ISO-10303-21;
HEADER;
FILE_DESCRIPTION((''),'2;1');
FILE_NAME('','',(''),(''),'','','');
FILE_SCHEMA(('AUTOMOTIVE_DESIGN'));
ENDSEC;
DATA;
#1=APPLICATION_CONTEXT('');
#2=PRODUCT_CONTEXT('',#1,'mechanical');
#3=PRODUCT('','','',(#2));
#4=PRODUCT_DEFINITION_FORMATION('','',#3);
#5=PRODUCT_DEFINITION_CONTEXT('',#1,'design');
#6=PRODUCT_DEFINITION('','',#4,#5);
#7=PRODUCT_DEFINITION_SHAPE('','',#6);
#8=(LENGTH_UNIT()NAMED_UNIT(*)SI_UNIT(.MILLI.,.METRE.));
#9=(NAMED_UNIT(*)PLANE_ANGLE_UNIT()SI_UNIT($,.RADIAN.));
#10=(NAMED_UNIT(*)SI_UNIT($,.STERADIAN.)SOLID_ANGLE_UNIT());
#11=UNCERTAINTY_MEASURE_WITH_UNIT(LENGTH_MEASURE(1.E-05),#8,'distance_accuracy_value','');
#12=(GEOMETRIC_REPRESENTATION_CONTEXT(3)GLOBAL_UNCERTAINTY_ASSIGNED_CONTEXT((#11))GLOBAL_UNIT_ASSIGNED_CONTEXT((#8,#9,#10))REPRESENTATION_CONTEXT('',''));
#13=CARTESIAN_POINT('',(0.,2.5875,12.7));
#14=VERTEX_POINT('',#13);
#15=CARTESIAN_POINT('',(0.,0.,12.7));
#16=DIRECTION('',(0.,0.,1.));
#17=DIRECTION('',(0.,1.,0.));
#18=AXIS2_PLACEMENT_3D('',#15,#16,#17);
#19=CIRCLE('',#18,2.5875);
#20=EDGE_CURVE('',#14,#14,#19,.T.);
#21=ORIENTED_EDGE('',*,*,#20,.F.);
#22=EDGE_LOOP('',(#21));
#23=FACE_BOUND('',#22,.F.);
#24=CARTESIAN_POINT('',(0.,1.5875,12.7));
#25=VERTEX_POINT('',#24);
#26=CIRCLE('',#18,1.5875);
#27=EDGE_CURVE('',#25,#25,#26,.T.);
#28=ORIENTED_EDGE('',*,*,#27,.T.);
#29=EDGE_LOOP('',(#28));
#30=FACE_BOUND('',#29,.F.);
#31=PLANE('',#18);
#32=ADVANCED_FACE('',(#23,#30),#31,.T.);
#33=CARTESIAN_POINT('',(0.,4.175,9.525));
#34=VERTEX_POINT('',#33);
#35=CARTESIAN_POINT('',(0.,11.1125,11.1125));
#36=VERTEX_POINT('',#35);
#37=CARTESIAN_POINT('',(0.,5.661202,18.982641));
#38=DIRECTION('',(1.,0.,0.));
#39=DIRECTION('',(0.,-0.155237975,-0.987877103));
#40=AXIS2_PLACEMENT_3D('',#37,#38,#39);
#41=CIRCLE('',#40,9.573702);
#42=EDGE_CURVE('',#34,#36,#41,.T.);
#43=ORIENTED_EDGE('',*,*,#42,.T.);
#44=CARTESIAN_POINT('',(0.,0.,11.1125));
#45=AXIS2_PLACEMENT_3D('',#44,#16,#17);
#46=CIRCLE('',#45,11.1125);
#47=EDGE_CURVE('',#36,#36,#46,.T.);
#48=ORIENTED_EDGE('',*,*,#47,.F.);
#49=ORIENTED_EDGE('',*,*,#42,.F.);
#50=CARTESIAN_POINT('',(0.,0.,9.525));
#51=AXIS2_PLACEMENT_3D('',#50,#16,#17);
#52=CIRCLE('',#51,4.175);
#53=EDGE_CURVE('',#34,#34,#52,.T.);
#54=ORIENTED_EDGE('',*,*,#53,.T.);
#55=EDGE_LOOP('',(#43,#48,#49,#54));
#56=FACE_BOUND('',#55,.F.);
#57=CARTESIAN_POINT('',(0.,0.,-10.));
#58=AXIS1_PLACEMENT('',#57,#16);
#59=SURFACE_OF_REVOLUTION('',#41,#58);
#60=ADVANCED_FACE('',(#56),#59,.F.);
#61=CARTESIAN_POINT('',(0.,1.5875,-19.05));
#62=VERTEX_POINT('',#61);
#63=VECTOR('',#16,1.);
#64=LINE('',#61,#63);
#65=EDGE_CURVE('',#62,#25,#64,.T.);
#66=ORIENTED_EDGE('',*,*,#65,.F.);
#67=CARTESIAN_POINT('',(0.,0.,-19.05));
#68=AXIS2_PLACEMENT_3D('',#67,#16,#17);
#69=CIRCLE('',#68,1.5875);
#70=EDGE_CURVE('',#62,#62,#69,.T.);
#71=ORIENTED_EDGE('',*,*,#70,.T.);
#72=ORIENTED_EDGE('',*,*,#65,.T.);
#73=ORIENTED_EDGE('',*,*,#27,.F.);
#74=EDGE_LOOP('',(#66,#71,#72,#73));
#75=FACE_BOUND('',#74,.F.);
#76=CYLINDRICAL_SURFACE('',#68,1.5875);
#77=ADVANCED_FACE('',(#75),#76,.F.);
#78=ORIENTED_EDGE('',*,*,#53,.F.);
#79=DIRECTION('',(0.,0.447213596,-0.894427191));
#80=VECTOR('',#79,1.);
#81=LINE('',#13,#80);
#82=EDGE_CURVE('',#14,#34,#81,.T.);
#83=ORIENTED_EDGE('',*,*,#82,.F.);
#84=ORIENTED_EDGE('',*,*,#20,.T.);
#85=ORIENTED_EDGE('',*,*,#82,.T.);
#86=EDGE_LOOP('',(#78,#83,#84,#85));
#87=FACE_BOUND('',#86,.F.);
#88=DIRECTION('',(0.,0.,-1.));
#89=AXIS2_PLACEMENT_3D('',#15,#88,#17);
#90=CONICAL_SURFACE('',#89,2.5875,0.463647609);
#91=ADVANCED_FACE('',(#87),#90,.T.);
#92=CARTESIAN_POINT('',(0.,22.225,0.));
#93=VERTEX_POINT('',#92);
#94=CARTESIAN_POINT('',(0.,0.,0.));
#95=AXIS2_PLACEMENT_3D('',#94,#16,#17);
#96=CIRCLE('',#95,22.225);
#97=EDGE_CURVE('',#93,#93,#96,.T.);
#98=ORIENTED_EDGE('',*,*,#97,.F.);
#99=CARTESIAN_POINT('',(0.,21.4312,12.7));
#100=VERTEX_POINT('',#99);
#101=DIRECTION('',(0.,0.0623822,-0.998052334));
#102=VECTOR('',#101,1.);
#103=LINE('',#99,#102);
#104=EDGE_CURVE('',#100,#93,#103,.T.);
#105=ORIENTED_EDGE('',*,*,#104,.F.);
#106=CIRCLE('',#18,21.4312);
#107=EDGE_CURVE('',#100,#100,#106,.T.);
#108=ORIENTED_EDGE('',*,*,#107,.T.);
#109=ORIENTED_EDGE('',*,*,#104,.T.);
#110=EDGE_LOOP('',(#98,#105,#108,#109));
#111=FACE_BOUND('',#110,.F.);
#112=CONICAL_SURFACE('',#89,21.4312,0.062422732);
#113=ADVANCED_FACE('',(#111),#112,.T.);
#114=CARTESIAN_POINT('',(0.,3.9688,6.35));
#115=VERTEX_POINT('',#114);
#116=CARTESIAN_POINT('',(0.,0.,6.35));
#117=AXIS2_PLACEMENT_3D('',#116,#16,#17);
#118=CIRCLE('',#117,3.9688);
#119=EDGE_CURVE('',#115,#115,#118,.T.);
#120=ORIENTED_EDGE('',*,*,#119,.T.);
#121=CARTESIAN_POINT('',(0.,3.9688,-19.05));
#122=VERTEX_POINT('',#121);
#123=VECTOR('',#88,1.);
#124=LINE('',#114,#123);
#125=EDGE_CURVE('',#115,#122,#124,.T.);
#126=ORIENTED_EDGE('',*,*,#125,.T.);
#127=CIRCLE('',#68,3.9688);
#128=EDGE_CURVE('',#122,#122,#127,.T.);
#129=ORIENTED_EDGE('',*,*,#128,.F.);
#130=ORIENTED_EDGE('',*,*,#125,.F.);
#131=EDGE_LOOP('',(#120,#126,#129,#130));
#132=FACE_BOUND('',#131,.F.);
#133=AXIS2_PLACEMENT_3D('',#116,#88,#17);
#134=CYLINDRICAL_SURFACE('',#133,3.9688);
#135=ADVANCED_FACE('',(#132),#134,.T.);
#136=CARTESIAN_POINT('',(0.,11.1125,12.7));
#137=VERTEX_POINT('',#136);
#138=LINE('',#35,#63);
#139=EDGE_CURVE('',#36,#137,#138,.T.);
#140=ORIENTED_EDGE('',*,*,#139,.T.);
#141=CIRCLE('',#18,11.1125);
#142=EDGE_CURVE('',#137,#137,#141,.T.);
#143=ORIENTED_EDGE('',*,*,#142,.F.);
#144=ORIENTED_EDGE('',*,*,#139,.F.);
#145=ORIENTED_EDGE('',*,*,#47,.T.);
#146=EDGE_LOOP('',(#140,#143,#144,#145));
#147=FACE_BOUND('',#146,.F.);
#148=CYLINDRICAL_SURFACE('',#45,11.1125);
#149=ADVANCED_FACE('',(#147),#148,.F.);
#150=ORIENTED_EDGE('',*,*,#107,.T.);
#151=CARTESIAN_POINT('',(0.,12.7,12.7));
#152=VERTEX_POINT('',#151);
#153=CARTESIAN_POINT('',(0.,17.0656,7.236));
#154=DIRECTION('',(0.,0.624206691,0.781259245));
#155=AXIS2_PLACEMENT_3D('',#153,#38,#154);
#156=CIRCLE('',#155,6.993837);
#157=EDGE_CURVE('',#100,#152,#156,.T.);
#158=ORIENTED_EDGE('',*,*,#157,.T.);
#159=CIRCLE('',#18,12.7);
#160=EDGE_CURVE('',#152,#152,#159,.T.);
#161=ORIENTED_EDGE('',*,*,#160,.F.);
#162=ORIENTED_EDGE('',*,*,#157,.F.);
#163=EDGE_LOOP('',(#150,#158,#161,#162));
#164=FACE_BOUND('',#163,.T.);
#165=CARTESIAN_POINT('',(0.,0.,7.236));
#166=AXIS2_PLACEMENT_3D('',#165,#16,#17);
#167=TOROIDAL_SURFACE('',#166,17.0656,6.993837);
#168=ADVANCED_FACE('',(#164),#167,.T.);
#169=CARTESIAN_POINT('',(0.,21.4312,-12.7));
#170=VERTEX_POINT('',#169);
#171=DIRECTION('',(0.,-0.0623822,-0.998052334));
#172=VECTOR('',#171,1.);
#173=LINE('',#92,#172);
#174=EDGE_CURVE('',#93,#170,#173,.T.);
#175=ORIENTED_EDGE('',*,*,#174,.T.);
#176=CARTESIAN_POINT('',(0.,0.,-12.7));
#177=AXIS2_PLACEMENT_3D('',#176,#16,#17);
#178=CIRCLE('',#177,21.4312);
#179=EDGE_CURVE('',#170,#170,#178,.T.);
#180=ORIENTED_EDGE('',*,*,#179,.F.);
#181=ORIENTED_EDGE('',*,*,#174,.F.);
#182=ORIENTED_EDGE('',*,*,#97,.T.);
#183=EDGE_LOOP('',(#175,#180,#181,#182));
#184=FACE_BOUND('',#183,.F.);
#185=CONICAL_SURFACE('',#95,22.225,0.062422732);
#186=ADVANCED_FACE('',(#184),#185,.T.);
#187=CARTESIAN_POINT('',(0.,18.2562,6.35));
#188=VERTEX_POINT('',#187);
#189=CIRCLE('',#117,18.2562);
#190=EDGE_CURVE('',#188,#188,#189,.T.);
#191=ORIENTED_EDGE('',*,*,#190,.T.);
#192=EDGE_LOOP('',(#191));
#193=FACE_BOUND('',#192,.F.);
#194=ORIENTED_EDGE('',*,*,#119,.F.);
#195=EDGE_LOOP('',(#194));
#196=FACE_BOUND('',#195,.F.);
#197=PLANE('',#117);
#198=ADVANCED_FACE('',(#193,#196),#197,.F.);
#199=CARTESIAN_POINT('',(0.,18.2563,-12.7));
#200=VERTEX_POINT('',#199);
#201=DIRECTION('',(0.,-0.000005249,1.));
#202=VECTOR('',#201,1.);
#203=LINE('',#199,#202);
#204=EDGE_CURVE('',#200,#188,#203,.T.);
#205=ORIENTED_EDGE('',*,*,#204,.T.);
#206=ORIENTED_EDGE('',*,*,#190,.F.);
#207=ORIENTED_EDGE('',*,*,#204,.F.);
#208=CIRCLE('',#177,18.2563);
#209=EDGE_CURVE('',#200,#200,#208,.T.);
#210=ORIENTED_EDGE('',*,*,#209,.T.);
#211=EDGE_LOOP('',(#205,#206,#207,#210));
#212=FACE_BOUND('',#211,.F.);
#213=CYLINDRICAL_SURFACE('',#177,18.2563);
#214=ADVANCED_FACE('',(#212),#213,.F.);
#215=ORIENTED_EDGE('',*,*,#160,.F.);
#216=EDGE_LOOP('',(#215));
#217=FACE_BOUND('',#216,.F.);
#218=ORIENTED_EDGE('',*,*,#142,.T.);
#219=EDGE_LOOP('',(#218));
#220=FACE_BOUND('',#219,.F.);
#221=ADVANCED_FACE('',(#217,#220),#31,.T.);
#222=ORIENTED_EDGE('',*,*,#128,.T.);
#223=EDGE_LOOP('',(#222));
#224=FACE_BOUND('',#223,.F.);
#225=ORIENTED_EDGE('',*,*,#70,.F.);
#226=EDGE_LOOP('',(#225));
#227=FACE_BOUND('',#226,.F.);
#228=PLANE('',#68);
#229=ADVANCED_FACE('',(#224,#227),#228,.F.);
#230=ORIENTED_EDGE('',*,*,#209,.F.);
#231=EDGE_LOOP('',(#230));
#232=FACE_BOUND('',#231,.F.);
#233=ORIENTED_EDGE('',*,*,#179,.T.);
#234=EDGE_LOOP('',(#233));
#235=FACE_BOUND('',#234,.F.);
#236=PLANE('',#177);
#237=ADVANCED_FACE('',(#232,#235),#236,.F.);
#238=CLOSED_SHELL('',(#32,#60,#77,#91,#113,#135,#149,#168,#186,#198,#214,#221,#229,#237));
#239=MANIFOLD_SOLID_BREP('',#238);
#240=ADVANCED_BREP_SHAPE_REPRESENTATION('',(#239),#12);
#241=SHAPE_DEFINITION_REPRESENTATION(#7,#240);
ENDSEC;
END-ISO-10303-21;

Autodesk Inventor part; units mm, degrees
ref_plane "YZ Plane" through (0, 0, 0) normal (1, 0, 0) x (0, 1, 0)
ref_plane "XZ Plane" through (0, 0, 0) normal (0, 1, 0) x (-1, 0, 0)
ref_plane "XY Plane" through (0, 0, 0) normal (0, 0, 1) x (1, 0, 0)
sketch "Sketch1" plane through (0, 0, 0) normal (1, 0, 0) x (0, 1, 0)
  line L0 (1.5875, -19.05) -> (1.5875, 12.7)
  line L1 (1.5875, 12.7) -> (2.5875, 12.7)
  line L2 (2.5875, 12.7) -> (4.175, 9.525)
  arc A0 (4.175, 9.525) -> (11.1125, 11.1125) centre (5.6612, 18.9827) ccw
  line L3 (11.1125, 11.1125) -> (11.1125, 12.7)
  line L4 (11.1125, 12.7) -> (12.7, 12.7)
  line L5 (21.4312, 12.7) -> (22.225, 0)
  line L6 (18.2563, -12.7) -> (18.2562, 6.35)
  line L7 (18.2562, 6.35) -> (3.9688, 6.35)
  line L8 (3.9688, 6.35) -> (3.9688, -19.05)
  line L9 (3.9688, -19.05) -> (1.5875, -19.05)
  arc A1 (21.4312, 12.7) -> (12.7, 12.7) centre (17.0656, 7.236) ccw
  line L10 (22.225, 0) -> (21.4312, -12.7)
  line L11 (21.4312, -12.7) -> (18.2563, -12.7)
  line L12 (0, -26.6565) -> (0, 26.5892) projected
  point P0 (0, 0)
  dimension "d0" = 1.5875
  dimension "d1" = 1
  dimension "d2" = 3.175
  dimension "d3" = 1.5875
  dimension "d4" = 11.1125
  dimension "d5" = 12.7
  dimension "d6" = 1.5875
  dimension "d7" = 21.4312
  dimension "d8" = 22.225
  dimension "d9" = 12.7
  dimension "d10" = 12.7
  dimension "d11" = 0
  dimension "d13" = 12.7
  dimension "d14" = 21.4312
  dimension "d15" = 3.175
  dimension "d16" = 19.05
  dimension "d17" = 2.3813
  dimension "d18" = 6.35
  dimension "d19" = 6.35
  dimension "d20" = 12.7
  dimension "d21" = 9.5738
  dimension "d22" = 6.9938
revolve "Revolution1" add sketch "Sketch1" angle 360 about axis through (0, 0, -10) along (0, 0, 1)
equation "\"d14\" = d7"
equation "\"d19\" = d18"
properties part number "launcher_wheel"
